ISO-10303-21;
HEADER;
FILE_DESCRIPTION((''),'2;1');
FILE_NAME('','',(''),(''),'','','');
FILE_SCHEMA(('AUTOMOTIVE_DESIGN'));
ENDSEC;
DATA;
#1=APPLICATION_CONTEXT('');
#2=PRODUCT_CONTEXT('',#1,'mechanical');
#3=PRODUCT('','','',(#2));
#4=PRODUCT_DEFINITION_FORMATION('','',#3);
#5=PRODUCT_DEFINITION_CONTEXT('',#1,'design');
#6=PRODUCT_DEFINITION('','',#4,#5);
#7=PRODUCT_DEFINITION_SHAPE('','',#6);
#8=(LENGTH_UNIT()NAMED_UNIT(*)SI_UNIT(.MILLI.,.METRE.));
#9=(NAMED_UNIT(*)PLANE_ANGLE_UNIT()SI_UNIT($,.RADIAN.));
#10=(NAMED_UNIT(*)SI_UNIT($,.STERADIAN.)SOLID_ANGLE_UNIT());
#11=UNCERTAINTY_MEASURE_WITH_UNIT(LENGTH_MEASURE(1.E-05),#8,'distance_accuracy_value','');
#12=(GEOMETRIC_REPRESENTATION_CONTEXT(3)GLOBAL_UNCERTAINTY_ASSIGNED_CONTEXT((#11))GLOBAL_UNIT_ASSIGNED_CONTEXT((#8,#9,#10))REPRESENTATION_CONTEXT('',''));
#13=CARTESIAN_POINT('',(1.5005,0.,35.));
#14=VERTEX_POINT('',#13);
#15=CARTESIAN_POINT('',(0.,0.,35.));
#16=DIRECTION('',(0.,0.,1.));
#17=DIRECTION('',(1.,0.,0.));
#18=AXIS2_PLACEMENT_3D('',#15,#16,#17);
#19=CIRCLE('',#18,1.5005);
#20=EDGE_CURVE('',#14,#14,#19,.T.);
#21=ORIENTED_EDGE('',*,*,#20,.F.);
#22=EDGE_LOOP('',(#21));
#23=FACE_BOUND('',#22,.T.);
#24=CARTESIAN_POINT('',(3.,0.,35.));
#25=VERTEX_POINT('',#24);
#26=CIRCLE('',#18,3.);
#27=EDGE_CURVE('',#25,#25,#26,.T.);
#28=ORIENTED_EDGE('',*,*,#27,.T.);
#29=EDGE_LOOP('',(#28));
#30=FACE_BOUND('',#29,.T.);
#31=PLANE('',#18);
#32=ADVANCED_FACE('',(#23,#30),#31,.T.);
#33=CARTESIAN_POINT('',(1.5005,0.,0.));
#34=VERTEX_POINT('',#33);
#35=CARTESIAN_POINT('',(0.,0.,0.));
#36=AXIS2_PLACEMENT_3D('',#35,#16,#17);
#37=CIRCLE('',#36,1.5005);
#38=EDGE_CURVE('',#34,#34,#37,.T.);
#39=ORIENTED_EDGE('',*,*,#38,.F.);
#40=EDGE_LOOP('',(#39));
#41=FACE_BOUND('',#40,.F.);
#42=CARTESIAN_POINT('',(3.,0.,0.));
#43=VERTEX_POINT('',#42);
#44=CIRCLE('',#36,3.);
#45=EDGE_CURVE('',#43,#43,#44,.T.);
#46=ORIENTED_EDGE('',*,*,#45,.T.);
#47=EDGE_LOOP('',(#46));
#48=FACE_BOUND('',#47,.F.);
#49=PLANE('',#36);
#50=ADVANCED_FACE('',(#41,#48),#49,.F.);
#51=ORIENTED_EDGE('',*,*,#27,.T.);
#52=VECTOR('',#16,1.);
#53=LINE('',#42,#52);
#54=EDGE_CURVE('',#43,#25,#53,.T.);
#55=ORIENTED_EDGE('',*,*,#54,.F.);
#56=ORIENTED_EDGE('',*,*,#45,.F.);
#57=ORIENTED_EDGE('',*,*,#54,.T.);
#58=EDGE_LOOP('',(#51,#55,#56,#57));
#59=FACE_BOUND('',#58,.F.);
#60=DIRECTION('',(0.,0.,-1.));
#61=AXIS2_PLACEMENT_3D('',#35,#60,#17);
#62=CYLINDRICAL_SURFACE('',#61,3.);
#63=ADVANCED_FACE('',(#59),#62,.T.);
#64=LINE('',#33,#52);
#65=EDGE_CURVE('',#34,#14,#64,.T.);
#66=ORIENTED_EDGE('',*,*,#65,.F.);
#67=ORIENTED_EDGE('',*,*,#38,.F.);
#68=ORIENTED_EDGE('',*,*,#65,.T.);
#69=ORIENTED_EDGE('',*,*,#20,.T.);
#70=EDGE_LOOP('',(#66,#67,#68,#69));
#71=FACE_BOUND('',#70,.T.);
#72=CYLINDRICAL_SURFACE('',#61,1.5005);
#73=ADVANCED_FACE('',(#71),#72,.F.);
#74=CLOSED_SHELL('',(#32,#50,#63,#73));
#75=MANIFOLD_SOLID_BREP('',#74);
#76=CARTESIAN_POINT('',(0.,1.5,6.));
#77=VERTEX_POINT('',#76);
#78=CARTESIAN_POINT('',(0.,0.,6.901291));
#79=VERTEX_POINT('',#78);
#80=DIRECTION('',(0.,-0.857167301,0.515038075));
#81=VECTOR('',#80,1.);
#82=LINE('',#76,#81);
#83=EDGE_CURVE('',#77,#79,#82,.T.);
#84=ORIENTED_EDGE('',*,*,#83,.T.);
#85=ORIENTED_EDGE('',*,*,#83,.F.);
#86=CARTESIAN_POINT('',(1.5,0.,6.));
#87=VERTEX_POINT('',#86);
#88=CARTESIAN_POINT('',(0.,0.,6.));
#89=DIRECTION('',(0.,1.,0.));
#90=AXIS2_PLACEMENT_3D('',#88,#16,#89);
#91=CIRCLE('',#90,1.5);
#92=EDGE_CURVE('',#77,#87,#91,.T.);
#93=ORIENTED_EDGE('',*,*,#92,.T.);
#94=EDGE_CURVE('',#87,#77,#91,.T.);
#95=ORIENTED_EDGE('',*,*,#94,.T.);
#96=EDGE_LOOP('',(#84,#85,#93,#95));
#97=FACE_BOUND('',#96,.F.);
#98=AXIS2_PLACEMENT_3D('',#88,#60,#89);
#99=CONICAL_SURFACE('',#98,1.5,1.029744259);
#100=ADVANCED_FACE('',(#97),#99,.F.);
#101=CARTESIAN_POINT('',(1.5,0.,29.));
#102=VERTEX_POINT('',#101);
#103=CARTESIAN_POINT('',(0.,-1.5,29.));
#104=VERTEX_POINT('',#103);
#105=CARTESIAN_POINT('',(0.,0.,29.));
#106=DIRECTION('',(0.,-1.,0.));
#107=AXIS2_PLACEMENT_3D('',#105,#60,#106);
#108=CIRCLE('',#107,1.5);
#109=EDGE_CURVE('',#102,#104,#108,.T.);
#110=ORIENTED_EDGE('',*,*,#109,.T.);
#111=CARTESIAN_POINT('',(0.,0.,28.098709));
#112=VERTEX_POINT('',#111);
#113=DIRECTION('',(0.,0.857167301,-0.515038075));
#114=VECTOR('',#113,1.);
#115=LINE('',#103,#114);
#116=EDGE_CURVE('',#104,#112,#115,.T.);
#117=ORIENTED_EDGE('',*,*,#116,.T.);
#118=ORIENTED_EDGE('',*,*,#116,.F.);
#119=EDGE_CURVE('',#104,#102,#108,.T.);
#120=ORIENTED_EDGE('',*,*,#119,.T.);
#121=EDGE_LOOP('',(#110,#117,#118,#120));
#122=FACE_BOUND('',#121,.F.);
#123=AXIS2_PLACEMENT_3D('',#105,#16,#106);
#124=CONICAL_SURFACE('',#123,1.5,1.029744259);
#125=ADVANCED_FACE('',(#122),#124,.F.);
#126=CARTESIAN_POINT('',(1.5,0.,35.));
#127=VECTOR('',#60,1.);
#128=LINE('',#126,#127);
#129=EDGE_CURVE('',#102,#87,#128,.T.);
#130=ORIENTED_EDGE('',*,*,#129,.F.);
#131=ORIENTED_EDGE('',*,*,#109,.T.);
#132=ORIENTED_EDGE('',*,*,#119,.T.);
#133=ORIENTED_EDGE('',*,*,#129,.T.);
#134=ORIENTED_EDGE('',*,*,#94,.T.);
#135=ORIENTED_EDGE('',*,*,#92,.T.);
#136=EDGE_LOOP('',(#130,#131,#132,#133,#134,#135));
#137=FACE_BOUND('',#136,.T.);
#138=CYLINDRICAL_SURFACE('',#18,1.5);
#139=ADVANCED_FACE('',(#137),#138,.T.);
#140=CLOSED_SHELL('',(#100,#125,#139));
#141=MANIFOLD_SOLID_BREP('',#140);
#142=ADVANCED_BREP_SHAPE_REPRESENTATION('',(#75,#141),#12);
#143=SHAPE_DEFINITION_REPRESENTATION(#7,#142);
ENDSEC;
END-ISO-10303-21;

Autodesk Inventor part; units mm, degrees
ref_plane "YZ Plane" through (0, 0, 0) normal (1, 0, 0) x (0, 1, 0)
ref_plane "XZ Plane" through (0, 0, 0) normal (0, 1, 0) x (-1, 0, 0)
ref_plane "XY Plane" through (0, 0, 0) normal (0, 0, 1) x (1, 0, 0)
sketch "スケッチ1" plane through (0, 0, 0) normal (0, 0, 1) x (1, 0, 0)
  circle A0 centre (0, 0) radius 3
  circle A1 centre (0, 0) radius 1.5005
  dimension "d0" = 6
  dimension "d1" = 3.001
extrude "押し出し1" add sketch "スケッチ1" along normal blind 35
sketch "スケッチ2" plane through (0, 0, 35) normal (0, 0, 1) x (1, 0, 0)
  circle A0 centre (0, 0) radius 1.5
  dimension "d4" = 3
extrude "押し出し2" add sketch "スケッチ2" against normal blind 35
hole "穴1" at (0, 0, 35) direction (0, 0, -1) diameter 3 depth 6 tip angle 118
hole "穴2" at (0, 0, 0) direction (0, 0, 1) diameter 3 depth 6 tip angle 118
properties part number "スペーサーm3-35　簡易筒型" material "アルミニウム 2014-T4"
